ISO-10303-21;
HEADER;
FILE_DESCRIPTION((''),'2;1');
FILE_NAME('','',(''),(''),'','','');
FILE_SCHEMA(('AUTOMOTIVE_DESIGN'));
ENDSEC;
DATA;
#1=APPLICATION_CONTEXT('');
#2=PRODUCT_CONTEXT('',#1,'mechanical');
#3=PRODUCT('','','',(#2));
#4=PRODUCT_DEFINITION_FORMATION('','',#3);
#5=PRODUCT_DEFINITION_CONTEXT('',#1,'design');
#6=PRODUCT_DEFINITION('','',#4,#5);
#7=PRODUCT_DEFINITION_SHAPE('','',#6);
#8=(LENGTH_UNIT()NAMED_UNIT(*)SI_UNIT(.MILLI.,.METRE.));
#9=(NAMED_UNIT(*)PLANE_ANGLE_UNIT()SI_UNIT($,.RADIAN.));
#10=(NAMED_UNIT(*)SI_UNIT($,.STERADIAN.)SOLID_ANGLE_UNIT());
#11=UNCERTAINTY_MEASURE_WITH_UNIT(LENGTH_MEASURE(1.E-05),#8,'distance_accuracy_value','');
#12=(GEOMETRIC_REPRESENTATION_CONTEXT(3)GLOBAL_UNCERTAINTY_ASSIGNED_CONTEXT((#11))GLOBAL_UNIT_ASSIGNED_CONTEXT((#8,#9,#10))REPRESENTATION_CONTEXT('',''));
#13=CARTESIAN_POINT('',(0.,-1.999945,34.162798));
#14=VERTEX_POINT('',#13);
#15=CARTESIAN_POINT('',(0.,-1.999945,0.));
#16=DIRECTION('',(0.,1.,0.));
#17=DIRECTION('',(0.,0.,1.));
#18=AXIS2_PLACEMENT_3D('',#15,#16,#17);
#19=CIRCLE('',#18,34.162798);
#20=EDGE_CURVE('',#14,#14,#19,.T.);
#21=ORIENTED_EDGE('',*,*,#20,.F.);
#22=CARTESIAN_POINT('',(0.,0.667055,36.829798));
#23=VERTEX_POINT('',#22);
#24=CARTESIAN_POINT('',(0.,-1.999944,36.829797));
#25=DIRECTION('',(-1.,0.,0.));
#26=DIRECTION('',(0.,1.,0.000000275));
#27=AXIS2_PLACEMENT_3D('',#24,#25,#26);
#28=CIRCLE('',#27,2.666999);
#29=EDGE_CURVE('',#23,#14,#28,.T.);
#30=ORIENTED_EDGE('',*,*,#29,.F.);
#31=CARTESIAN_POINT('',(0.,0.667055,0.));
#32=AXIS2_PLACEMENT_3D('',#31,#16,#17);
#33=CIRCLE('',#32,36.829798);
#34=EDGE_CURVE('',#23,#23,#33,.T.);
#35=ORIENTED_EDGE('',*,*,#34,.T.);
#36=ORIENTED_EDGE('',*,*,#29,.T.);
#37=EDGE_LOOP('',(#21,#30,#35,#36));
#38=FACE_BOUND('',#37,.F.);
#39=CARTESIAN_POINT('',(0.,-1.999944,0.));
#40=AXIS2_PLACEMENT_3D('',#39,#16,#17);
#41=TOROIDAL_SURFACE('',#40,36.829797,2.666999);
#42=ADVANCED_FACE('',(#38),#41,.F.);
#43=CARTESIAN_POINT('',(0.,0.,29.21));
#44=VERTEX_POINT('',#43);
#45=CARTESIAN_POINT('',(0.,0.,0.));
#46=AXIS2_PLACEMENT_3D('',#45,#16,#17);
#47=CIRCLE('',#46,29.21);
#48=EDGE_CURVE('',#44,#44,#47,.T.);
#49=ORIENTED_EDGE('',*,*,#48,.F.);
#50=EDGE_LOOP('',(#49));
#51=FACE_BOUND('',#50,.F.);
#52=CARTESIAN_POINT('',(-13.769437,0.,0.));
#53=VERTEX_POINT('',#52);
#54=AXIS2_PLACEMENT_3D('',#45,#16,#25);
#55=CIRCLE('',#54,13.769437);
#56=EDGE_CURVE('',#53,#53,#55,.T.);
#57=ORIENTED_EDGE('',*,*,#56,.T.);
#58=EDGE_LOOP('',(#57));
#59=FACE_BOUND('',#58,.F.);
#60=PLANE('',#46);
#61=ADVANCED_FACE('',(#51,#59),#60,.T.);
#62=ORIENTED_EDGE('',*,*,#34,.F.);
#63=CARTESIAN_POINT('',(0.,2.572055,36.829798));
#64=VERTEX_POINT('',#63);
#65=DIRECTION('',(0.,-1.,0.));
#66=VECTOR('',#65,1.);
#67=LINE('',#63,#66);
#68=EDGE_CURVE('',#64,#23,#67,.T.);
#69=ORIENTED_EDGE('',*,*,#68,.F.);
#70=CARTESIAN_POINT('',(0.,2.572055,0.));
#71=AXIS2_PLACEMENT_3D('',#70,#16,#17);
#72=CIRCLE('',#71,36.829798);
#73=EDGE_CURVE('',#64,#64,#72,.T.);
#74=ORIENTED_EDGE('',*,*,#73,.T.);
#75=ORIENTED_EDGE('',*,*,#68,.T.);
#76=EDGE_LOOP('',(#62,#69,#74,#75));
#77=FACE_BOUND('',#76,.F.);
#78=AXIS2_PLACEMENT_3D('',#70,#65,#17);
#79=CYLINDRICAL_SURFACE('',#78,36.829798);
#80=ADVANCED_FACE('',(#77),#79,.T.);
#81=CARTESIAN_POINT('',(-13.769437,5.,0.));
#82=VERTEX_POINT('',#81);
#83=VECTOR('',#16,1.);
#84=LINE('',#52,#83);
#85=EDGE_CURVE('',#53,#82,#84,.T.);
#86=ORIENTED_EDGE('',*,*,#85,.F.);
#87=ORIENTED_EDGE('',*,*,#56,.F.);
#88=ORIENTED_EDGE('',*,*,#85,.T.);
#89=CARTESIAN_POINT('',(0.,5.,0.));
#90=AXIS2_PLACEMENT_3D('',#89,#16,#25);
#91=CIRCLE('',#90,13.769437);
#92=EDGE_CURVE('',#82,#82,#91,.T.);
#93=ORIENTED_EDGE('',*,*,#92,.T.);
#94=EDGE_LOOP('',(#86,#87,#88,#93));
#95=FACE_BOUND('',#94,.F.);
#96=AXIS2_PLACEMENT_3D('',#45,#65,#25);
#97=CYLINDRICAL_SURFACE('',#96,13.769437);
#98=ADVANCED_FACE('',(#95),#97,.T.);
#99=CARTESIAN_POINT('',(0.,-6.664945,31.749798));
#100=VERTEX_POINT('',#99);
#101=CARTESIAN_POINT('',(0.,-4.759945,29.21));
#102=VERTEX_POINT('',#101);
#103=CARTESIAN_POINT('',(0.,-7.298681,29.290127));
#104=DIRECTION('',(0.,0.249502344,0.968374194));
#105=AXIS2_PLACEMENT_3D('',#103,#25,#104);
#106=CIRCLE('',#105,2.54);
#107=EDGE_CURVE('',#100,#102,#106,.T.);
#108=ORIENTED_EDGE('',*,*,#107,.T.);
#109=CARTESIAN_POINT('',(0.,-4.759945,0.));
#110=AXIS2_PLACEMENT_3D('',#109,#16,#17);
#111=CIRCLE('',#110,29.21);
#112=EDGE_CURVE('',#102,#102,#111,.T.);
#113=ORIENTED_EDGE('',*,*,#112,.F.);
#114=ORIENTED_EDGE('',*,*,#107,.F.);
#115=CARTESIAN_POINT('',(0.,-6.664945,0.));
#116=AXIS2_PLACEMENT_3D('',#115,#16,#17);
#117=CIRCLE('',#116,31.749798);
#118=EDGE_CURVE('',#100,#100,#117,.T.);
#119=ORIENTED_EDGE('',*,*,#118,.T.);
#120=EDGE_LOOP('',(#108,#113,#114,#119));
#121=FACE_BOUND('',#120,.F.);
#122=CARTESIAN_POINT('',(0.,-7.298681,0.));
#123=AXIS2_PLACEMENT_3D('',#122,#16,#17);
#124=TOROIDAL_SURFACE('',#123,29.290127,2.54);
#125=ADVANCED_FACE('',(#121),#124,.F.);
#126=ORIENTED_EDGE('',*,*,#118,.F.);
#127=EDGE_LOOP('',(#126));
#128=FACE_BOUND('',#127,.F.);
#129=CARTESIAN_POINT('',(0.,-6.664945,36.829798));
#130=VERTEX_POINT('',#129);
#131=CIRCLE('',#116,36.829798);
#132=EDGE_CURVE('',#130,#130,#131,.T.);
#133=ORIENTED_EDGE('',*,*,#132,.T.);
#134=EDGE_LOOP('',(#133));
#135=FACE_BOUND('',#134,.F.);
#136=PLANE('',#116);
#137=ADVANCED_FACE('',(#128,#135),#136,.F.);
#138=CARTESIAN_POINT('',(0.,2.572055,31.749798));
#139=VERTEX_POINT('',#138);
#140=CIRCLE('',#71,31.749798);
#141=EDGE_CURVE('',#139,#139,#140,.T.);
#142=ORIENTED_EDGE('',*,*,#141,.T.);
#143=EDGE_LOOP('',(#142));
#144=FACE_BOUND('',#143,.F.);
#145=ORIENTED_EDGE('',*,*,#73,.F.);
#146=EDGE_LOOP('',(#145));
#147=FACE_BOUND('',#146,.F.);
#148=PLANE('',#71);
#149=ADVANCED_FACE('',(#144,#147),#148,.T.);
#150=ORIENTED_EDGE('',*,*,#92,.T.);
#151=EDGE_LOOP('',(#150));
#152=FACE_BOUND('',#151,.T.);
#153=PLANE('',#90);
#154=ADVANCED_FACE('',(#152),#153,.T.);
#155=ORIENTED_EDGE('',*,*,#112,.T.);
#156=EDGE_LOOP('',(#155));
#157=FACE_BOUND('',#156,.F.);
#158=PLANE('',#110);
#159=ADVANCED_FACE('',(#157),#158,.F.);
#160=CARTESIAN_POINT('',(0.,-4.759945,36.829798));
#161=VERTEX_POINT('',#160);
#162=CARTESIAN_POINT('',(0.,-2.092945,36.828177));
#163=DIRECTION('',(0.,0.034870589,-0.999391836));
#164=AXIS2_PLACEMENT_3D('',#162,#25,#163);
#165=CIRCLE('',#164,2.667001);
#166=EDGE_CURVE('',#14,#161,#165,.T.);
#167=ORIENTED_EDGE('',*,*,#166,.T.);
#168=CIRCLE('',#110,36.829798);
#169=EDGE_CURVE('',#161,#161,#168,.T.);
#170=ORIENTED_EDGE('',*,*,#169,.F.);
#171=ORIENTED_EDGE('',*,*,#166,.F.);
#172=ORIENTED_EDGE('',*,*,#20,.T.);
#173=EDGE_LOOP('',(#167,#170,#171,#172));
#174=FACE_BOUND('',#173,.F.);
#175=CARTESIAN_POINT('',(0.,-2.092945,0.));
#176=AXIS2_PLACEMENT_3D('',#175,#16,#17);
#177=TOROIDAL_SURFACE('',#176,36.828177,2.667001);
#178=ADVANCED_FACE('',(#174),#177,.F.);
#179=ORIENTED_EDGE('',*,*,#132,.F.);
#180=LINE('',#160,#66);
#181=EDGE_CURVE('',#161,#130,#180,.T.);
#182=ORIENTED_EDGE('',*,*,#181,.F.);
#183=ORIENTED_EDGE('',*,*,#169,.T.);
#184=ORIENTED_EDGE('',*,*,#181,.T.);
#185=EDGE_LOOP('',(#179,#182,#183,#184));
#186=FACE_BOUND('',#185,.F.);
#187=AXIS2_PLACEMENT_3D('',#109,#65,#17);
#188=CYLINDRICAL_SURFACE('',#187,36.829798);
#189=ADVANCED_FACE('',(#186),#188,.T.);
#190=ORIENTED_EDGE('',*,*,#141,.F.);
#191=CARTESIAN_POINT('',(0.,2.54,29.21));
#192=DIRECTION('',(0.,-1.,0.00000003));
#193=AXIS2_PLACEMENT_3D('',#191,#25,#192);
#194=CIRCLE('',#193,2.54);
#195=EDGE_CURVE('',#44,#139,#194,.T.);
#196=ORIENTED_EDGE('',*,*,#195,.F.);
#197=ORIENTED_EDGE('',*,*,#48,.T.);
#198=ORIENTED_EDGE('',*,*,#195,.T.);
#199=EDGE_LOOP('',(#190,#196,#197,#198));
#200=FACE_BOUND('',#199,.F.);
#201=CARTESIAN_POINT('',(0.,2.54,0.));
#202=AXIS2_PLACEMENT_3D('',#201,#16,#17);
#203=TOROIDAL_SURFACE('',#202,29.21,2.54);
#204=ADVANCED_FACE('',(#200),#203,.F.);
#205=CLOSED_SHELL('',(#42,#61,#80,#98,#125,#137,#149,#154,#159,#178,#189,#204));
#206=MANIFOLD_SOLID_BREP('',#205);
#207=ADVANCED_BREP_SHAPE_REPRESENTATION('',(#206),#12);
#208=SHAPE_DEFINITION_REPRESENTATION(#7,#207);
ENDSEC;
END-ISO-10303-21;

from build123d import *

# Parameters (mm, degrees)
F2_R     = 13.769437
F3_DEPTH = 5


with BuildPart() as f1:
    # F0 (on Right) → F1 (revolve)
    with BuildSketch(Plane.YZ):
        with BuildLine():
            Line((-4.759945, 0), (0, 0))
            Line((0, 0), (0, 29.21))
            ThreePointArc((0, 29.21), (0.755318, 31.017349), (2.572055, 31.749798))
            Line((2.572055, 31.749798), (2.572055, 36.829798))
            Line((2.572055, 36.829798), (0.667055, 36.829798))
            ThreePointArc((0.667055, 36.829798), (-0.114091, 34.943944), (-1.999945, 34.162798))
            ThreePointArc((-1.999945, 34.162798), (-3.94621, 34.910287), (-4.759945, 36.829798))
            Line((-4.759945, 36.829798), (-6.664945, 36.829798))
            Line((-6.664945, 36.829798), (-6.664945, 31.749798))
            ThreePointArc((-6.664945, 31.749798), (-5.266739, 30.814205), (-4.759945, 29.21))
            Line((-4.759945, 29.21), (-4.759945, 0))
        make_face()
    revolve(axis=Axis((0, -2.379972, 0), (0, 1, 0)))

    # F2 (on face) → F3 (join)
    with BuildSketch(Plane(origin=(0, 0, 0), x_dir=(-1, 0, 0), z_dir=(0, 1, 0))):
        Circle(F2_R)
    extrude(amount=F3_DEPTH)


solid = f1.part
